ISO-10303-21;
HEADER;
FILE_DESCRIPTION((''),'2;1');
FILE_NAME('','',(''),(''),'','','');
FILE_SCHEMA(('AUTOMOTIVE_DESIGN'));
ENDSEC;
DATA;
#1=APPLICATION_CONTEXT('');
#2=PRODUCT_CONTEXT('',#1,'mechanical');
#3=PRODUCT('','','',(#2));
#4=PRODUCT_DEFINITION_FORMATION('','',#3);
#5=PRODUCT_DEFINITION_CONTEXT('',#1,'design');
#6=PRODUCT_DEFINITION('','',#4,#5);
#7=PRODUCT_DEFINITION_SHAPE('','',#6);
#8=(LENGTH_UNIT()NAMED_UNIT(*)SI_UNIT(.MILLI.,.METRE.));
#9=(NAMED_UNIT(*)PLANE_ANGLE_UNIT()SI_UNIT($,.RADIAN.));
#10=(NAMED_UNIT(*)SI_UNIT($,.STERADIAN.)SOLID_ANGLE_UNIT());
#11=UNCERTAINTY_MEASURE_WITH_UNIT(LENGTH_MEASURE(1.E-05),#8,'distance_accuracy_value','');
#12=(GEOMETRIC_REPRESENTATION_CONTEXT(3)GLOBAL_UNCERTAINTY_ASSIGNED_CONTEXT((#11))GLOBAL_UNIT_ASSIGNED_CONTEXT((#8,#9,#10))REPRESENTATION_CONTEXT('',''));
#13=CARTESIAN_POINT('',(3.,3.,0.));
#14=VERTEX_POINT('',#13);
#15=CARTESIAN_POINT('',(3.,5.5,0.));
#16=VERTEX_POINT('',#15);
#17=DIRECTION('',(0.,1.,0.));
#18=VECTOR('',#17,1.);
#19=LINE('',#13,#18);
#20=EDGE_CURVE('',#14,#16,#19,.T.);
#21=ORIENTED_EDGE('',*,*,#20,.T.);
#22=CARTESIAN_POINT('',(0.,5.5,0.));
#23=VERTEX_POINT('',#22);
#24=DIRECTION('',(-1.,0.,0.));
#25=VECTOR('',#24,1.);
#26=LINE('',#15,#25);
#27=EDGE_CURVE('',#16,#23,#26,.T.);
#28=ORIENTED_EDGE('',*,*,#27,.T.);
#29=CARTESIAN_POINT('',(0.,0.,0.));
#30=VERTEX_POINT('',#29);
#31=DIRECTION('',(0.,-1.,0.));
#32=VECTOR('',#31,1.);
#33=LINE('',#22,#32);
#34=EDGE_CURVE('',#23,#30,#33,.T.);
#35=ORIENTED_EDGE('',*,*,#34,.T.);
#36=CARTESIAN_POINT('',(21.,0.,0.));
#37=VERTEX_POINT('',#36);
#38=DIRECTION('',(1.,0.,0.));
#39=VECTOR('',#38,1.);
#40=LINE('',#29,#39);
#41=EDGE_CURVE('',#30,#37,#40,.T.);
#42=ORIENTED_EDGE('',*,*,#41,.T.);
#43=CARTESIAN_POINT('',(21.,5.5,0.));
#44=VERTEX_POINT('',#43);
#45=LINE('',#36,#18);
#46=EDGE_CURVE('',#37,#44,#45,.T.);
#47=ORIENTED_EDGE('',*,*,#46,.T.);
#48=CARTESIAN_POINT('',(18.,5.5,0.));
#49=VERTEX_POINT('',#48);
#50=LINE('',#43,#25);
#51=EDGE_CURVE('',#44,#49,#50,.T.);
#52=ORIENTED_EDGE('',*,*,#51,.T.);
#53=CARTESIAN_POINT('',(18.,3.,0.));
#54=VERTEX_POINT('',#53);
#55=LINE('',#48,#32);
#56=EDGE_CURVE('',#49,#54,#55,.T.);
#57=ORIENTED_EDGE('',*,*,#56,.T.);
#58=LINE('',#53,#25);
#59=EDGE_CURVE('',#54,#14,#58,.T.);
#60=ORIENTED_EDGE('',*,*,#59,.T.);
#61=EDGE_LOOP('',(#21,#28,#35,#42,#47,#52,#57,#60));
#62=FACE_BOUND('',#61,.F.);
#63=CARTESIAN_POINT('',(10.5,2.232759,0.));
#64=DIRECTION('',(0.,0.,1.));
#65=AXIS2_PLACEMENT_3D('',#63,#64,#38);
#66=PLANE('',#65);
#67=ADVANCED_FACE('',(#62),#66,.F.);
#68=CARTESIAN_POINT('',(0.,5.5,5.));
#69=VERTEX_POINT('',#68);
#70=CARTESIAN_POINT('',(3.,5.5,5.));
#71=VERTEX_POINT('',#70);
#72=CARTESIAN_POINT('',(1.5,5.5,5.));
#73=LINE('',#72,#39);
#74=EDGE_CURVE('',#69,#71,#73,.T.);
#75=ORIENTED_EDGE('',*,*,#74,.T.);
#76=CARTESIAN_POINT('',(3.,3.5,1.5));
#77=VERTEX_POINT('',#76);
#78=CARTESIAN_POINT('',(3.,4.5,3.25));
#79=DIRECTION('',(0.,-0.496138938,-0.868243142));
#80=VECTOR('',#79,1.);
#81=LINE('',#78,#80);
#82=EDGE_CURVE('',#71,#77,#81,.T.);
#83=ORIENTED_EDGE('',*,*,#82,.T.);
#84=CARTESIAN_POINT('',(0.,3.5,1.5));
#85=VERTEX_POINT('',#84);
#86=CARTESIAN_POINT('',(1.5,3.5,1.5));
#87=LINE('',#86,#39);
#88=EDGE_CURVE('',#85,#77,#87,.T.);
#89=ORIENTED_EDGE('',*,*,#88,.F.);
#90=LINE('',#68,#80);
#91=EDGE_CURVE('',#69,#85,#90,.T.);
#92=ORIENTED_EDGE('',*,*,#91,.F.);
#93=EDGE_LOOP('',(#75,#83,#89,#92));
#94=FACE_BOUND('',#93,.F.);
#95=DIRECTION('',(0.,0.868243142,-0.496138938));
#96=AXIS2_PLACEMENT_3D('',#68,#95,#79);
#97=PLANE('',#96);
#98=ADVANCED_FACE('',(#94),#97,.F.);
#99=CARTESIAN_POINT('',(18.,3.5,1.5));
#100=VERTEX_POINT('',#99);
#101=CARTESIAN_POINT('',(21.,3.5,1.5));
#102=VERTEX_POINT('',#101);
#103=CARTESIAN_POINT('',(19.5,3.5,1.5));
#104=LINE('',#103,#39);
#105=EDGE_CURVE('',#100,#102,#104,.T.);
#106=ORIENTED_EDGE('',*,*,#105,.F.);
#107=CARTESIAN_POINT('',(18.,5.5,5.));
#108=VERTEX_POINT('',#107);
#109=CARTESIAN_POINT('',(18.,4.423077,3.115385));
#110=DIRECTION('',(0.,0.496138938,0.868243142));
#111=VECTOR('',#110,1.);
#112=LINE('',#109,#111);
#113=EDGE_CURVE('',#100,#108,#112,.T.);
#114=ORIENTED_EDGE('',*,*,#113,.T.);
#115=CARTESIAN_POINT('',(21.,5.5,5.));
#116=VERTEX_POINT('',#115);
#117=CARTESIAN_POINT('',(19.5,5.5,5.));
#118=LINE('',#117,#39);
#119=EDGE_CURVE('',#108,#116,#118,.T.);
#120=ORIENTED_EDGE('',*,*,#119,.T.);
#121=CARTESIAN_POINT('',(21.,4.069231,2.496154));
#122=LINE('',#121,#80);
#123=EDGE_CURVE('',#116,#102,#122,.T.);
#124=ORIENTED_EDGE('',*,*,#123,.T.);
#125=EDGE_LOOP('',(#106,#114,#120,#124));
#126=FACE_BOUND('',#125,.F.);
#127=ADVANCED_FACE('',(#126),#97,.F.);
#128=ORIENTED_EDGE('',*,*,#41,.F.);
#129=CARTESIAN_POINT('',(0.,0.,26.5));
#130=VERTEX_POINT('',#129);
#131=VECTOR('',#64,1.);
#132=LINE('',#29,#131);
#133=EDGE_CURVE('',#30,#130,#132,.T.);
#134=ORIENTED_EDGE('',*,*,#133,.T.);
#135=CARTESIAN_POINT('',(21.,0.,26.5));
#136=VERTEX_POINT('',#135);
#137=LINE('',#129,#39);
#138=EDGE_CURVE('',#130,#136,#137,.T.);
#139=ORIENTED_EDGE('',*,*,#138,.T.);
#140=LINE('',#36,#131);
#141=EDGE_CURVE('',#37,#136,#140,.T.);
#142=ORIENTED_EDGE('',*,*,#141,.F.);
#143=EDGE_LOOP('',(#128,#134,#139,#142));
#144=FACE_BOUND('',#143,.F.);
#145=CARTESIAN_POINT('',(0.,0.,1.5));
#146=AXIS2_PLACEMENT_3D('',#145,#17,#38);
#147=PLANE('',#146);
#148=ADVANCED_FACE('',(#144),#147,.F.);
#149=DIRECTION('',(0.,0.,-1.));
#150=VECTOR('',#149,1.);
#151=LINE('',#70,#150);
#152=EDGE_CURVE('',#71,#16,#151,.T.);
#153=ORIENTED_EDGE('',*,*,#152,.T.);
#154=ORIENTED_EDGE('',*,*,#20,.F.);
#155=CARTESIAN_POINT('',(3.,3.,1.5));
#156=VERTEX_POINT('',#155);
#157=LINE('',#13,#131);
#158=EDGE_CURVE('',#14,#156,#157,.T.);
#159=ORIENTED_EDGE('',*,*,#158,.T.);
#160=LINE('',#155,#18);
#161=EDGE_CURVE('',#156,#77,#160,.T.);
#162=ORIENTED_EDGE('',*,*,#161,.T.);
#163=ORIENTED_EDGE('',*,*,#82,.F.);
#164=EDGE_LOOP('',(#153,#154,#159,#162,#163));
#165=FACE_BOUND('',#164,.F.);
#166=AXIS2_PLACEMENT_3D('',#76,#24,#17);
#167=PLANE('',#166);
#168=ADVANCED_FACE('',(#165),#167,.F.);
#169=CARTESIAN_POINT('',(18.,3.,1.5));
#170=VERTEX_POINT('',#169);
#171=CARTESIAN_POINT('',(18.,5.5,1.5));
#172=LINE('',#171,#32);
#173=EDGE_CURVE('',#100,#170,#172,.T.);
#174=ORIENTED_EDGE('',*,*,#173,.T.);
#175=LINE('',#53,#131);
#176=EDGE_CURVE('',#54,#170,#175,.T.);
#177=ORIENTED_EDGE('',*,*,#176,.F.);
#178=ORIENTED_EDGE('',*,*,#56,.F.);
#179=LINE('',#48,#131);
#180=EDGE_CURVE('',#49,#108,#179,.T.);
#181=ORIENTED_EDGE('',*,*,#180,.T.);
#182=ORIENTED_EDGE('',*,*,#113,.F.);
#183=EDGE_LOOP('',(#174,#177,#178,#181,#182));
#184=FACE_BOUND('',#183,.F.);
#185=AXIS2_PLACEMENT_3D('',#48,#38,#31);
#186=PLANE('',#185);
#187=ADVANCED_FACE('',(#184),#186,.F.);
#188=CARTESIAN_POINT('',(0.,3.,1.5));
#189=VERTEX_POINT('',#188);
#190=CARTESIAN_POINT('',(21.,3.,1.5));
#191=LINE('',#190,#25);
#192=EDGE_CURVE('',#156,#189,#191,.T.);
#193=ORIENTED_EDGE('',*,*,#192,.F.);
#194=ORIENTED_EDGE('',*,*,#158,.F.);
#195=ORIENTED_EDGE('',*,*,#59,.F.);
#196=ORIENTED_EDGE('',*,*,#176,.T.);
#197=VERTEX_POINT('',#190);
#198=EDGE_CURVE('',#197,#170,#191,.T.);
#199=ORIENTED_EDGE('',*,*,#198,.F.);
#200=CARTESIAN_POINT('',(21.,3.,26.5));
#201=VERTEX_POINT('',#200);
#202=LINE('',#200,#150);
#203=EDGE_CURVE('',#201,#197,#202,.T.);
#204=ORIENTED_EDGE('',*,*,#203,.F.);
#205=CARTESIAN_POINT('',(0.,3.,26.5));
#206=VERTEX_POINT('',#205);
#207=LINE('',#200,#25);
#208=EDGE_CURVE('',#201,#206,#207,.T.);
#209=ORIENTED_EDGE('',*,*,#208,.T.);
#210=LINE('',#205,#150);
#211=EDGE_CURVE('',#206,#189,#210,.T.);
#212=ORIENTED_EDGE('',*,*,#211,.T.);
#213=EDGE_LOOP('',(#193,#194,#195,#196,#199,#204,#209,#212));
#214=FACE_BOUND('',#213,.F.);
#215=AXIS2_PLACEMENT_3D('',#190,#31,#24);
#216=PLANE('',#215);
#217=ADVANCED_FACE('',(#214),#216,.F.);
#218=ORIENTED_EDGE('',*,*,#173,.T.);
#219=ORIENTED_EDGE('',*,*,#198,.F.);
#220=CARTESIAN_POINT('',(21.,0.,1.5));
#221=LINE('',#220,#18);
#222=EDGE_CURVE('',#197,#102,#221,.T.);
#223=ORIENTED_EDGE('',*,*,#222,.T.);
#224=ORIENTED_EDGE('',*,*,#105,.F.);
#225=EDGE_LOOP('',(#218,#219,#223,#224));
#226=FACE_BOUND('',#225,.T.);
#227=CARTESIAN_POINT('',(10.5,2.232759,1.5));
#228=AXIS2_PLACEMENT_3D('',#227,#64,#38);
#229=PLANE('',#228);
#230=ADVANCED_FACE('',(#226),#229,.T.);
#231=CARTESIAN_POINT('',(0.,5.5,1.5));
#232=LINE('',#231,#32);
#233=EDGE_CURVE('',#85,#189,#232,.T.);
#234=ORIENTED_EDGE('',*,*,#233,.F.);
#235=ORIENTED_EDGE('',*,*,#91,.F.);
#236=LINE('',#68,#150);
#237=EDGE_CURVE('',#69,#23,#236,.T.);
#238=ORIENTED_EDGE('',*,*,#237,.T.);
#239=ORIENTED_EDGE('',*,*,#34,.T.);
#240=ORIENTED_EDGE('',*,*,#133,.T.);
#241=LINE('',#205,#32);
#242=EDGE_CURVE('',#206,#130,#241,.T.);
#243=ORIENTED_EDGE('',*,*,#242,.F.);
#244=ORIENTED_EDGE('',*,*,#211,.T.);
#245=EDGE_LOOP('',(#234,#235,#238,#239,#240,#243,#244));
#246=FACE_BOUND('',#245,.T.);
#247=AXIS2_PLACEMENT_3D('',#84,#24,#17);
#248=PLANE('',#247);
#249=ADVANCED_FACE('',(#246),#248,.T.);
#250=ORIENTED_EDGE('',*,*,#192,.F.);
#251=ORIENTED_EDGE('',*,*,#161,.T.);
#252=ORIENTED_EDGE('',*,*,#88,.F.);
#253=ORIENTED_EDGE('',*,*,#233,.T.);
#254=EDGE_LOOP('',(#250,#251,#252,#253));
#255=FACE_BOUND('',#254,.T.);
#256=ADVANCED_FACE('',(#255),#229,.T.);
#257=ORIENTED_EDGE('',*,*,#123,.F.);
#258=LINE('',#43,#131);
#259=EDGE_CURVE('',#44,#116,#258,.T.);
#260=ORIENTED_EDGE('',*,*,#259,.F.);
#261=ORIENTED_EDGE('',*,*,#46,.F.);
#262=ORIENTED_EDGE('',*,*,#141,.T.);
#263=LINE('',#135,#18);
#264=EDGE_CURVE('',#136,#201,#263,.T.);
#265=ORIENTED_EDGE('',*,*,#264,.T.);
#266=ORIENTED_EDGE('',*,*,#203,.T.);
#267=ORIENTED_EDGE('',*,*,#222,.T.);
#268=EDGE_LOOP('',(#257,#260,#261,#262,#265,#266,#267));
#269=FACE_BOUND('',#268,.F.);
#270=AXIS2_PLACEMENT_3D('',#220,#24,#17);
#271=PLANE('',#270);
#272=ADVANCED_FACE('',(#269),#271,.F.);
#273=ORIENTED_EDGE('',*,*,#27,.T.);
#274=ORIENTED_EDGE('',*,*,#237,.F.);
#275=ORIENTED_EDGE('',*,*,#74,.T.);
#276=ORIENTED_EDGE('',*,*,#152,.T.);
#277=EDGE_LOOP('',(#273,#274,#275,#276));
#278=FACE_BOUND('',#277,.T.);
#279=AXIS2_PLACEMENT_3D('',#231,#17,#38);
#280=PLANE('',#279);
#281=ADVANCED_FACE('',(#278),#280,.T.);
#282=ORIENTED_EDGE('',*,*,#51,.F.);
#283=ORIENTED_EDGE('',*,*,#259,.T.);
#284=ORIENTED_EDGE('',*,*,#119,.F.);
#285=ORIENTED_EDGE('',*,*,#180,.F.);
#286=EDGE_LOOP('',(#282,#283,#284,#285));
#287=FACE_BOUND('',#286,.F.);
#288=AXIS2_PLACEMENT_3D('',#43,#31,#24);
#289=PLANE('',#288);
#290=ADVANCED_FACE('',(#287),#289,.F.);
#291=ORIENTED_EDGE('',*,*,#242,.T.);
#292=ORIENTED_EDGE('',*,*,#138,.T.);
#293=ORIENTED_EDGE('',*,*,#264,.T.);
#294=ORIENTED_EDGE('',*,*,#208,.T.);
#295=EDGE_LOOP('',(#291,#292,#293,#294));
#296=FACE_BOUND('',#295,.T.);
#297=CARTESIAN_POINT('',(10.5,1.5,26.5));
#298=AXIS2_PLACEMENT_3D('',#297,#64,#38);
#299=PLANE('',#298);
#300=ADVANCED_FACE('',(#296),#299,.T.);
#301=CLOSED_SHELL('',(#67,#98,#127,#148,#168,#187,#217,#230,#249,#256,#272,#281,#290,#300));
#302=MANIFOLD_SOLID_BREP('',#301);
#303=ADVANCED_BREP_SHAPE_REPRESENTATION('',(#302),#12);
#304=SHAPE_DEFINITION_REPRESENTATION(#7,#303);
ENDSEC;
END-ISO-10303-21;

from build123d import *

# Parameters (mm, degrees)
F1_DEPTH = 1.5
F3_DEPTH = 25
F2_W     = 3
F2_H     = 2
F2_W_2   = 21
F2_H_2   = 3
F4_DEPTH = 3.5
F6_DEPTH = 127


with BuildPart() as f1:
    # F0 (on Top) → F1 (new body)
    with BuildSketch(Plane.XY):
        Polygon((0, 5.5), (0, 0), (21, 0), (21, 5.5), (18, 5.5), (18, 3), (3, 3), (3, 5.5), align=None)
    extrude(amount=F1_DEPTH)

    # F2 (on face) → F3 (join)
    with BuildSketch(Plane.XY.offset(1.5)):
        Polygon((3, 3), (0, 3), (0, 0), (21, 0), (21, 3), (18, 3), align=None)
    extrude(amount=F3_DEPTH)

    # F2 (on face) → F4 (join)
    with BuildSketch(Plane.XY.offset(1.5)):
        with Locations((1.5, 4.5)):
            Rectangle(F2_W, F2_H)
        with Locations((19.5, 4.5)):
            Rectangle(F2_W, F2_H)
        with Locations((10.5, 1.5)):
            Rectangle(F2_W_2, F2_H_2)
    extrude(amount=F4_DEPTH)

    # F5 (on face) → F6 (cut)
    with BuildSketch(Plane(origin=(0, 0, 0), x_dir=(0, -1, 0), z_dir=(-1, 0, 0))):
        Polygon((-3.5, 5), (-5.5, 5), (-3.5, 1.5), align=None)
    extrude(amount=-F6_DEPTH, mode=Mode.SUBTRACT)


solid = f1.part
